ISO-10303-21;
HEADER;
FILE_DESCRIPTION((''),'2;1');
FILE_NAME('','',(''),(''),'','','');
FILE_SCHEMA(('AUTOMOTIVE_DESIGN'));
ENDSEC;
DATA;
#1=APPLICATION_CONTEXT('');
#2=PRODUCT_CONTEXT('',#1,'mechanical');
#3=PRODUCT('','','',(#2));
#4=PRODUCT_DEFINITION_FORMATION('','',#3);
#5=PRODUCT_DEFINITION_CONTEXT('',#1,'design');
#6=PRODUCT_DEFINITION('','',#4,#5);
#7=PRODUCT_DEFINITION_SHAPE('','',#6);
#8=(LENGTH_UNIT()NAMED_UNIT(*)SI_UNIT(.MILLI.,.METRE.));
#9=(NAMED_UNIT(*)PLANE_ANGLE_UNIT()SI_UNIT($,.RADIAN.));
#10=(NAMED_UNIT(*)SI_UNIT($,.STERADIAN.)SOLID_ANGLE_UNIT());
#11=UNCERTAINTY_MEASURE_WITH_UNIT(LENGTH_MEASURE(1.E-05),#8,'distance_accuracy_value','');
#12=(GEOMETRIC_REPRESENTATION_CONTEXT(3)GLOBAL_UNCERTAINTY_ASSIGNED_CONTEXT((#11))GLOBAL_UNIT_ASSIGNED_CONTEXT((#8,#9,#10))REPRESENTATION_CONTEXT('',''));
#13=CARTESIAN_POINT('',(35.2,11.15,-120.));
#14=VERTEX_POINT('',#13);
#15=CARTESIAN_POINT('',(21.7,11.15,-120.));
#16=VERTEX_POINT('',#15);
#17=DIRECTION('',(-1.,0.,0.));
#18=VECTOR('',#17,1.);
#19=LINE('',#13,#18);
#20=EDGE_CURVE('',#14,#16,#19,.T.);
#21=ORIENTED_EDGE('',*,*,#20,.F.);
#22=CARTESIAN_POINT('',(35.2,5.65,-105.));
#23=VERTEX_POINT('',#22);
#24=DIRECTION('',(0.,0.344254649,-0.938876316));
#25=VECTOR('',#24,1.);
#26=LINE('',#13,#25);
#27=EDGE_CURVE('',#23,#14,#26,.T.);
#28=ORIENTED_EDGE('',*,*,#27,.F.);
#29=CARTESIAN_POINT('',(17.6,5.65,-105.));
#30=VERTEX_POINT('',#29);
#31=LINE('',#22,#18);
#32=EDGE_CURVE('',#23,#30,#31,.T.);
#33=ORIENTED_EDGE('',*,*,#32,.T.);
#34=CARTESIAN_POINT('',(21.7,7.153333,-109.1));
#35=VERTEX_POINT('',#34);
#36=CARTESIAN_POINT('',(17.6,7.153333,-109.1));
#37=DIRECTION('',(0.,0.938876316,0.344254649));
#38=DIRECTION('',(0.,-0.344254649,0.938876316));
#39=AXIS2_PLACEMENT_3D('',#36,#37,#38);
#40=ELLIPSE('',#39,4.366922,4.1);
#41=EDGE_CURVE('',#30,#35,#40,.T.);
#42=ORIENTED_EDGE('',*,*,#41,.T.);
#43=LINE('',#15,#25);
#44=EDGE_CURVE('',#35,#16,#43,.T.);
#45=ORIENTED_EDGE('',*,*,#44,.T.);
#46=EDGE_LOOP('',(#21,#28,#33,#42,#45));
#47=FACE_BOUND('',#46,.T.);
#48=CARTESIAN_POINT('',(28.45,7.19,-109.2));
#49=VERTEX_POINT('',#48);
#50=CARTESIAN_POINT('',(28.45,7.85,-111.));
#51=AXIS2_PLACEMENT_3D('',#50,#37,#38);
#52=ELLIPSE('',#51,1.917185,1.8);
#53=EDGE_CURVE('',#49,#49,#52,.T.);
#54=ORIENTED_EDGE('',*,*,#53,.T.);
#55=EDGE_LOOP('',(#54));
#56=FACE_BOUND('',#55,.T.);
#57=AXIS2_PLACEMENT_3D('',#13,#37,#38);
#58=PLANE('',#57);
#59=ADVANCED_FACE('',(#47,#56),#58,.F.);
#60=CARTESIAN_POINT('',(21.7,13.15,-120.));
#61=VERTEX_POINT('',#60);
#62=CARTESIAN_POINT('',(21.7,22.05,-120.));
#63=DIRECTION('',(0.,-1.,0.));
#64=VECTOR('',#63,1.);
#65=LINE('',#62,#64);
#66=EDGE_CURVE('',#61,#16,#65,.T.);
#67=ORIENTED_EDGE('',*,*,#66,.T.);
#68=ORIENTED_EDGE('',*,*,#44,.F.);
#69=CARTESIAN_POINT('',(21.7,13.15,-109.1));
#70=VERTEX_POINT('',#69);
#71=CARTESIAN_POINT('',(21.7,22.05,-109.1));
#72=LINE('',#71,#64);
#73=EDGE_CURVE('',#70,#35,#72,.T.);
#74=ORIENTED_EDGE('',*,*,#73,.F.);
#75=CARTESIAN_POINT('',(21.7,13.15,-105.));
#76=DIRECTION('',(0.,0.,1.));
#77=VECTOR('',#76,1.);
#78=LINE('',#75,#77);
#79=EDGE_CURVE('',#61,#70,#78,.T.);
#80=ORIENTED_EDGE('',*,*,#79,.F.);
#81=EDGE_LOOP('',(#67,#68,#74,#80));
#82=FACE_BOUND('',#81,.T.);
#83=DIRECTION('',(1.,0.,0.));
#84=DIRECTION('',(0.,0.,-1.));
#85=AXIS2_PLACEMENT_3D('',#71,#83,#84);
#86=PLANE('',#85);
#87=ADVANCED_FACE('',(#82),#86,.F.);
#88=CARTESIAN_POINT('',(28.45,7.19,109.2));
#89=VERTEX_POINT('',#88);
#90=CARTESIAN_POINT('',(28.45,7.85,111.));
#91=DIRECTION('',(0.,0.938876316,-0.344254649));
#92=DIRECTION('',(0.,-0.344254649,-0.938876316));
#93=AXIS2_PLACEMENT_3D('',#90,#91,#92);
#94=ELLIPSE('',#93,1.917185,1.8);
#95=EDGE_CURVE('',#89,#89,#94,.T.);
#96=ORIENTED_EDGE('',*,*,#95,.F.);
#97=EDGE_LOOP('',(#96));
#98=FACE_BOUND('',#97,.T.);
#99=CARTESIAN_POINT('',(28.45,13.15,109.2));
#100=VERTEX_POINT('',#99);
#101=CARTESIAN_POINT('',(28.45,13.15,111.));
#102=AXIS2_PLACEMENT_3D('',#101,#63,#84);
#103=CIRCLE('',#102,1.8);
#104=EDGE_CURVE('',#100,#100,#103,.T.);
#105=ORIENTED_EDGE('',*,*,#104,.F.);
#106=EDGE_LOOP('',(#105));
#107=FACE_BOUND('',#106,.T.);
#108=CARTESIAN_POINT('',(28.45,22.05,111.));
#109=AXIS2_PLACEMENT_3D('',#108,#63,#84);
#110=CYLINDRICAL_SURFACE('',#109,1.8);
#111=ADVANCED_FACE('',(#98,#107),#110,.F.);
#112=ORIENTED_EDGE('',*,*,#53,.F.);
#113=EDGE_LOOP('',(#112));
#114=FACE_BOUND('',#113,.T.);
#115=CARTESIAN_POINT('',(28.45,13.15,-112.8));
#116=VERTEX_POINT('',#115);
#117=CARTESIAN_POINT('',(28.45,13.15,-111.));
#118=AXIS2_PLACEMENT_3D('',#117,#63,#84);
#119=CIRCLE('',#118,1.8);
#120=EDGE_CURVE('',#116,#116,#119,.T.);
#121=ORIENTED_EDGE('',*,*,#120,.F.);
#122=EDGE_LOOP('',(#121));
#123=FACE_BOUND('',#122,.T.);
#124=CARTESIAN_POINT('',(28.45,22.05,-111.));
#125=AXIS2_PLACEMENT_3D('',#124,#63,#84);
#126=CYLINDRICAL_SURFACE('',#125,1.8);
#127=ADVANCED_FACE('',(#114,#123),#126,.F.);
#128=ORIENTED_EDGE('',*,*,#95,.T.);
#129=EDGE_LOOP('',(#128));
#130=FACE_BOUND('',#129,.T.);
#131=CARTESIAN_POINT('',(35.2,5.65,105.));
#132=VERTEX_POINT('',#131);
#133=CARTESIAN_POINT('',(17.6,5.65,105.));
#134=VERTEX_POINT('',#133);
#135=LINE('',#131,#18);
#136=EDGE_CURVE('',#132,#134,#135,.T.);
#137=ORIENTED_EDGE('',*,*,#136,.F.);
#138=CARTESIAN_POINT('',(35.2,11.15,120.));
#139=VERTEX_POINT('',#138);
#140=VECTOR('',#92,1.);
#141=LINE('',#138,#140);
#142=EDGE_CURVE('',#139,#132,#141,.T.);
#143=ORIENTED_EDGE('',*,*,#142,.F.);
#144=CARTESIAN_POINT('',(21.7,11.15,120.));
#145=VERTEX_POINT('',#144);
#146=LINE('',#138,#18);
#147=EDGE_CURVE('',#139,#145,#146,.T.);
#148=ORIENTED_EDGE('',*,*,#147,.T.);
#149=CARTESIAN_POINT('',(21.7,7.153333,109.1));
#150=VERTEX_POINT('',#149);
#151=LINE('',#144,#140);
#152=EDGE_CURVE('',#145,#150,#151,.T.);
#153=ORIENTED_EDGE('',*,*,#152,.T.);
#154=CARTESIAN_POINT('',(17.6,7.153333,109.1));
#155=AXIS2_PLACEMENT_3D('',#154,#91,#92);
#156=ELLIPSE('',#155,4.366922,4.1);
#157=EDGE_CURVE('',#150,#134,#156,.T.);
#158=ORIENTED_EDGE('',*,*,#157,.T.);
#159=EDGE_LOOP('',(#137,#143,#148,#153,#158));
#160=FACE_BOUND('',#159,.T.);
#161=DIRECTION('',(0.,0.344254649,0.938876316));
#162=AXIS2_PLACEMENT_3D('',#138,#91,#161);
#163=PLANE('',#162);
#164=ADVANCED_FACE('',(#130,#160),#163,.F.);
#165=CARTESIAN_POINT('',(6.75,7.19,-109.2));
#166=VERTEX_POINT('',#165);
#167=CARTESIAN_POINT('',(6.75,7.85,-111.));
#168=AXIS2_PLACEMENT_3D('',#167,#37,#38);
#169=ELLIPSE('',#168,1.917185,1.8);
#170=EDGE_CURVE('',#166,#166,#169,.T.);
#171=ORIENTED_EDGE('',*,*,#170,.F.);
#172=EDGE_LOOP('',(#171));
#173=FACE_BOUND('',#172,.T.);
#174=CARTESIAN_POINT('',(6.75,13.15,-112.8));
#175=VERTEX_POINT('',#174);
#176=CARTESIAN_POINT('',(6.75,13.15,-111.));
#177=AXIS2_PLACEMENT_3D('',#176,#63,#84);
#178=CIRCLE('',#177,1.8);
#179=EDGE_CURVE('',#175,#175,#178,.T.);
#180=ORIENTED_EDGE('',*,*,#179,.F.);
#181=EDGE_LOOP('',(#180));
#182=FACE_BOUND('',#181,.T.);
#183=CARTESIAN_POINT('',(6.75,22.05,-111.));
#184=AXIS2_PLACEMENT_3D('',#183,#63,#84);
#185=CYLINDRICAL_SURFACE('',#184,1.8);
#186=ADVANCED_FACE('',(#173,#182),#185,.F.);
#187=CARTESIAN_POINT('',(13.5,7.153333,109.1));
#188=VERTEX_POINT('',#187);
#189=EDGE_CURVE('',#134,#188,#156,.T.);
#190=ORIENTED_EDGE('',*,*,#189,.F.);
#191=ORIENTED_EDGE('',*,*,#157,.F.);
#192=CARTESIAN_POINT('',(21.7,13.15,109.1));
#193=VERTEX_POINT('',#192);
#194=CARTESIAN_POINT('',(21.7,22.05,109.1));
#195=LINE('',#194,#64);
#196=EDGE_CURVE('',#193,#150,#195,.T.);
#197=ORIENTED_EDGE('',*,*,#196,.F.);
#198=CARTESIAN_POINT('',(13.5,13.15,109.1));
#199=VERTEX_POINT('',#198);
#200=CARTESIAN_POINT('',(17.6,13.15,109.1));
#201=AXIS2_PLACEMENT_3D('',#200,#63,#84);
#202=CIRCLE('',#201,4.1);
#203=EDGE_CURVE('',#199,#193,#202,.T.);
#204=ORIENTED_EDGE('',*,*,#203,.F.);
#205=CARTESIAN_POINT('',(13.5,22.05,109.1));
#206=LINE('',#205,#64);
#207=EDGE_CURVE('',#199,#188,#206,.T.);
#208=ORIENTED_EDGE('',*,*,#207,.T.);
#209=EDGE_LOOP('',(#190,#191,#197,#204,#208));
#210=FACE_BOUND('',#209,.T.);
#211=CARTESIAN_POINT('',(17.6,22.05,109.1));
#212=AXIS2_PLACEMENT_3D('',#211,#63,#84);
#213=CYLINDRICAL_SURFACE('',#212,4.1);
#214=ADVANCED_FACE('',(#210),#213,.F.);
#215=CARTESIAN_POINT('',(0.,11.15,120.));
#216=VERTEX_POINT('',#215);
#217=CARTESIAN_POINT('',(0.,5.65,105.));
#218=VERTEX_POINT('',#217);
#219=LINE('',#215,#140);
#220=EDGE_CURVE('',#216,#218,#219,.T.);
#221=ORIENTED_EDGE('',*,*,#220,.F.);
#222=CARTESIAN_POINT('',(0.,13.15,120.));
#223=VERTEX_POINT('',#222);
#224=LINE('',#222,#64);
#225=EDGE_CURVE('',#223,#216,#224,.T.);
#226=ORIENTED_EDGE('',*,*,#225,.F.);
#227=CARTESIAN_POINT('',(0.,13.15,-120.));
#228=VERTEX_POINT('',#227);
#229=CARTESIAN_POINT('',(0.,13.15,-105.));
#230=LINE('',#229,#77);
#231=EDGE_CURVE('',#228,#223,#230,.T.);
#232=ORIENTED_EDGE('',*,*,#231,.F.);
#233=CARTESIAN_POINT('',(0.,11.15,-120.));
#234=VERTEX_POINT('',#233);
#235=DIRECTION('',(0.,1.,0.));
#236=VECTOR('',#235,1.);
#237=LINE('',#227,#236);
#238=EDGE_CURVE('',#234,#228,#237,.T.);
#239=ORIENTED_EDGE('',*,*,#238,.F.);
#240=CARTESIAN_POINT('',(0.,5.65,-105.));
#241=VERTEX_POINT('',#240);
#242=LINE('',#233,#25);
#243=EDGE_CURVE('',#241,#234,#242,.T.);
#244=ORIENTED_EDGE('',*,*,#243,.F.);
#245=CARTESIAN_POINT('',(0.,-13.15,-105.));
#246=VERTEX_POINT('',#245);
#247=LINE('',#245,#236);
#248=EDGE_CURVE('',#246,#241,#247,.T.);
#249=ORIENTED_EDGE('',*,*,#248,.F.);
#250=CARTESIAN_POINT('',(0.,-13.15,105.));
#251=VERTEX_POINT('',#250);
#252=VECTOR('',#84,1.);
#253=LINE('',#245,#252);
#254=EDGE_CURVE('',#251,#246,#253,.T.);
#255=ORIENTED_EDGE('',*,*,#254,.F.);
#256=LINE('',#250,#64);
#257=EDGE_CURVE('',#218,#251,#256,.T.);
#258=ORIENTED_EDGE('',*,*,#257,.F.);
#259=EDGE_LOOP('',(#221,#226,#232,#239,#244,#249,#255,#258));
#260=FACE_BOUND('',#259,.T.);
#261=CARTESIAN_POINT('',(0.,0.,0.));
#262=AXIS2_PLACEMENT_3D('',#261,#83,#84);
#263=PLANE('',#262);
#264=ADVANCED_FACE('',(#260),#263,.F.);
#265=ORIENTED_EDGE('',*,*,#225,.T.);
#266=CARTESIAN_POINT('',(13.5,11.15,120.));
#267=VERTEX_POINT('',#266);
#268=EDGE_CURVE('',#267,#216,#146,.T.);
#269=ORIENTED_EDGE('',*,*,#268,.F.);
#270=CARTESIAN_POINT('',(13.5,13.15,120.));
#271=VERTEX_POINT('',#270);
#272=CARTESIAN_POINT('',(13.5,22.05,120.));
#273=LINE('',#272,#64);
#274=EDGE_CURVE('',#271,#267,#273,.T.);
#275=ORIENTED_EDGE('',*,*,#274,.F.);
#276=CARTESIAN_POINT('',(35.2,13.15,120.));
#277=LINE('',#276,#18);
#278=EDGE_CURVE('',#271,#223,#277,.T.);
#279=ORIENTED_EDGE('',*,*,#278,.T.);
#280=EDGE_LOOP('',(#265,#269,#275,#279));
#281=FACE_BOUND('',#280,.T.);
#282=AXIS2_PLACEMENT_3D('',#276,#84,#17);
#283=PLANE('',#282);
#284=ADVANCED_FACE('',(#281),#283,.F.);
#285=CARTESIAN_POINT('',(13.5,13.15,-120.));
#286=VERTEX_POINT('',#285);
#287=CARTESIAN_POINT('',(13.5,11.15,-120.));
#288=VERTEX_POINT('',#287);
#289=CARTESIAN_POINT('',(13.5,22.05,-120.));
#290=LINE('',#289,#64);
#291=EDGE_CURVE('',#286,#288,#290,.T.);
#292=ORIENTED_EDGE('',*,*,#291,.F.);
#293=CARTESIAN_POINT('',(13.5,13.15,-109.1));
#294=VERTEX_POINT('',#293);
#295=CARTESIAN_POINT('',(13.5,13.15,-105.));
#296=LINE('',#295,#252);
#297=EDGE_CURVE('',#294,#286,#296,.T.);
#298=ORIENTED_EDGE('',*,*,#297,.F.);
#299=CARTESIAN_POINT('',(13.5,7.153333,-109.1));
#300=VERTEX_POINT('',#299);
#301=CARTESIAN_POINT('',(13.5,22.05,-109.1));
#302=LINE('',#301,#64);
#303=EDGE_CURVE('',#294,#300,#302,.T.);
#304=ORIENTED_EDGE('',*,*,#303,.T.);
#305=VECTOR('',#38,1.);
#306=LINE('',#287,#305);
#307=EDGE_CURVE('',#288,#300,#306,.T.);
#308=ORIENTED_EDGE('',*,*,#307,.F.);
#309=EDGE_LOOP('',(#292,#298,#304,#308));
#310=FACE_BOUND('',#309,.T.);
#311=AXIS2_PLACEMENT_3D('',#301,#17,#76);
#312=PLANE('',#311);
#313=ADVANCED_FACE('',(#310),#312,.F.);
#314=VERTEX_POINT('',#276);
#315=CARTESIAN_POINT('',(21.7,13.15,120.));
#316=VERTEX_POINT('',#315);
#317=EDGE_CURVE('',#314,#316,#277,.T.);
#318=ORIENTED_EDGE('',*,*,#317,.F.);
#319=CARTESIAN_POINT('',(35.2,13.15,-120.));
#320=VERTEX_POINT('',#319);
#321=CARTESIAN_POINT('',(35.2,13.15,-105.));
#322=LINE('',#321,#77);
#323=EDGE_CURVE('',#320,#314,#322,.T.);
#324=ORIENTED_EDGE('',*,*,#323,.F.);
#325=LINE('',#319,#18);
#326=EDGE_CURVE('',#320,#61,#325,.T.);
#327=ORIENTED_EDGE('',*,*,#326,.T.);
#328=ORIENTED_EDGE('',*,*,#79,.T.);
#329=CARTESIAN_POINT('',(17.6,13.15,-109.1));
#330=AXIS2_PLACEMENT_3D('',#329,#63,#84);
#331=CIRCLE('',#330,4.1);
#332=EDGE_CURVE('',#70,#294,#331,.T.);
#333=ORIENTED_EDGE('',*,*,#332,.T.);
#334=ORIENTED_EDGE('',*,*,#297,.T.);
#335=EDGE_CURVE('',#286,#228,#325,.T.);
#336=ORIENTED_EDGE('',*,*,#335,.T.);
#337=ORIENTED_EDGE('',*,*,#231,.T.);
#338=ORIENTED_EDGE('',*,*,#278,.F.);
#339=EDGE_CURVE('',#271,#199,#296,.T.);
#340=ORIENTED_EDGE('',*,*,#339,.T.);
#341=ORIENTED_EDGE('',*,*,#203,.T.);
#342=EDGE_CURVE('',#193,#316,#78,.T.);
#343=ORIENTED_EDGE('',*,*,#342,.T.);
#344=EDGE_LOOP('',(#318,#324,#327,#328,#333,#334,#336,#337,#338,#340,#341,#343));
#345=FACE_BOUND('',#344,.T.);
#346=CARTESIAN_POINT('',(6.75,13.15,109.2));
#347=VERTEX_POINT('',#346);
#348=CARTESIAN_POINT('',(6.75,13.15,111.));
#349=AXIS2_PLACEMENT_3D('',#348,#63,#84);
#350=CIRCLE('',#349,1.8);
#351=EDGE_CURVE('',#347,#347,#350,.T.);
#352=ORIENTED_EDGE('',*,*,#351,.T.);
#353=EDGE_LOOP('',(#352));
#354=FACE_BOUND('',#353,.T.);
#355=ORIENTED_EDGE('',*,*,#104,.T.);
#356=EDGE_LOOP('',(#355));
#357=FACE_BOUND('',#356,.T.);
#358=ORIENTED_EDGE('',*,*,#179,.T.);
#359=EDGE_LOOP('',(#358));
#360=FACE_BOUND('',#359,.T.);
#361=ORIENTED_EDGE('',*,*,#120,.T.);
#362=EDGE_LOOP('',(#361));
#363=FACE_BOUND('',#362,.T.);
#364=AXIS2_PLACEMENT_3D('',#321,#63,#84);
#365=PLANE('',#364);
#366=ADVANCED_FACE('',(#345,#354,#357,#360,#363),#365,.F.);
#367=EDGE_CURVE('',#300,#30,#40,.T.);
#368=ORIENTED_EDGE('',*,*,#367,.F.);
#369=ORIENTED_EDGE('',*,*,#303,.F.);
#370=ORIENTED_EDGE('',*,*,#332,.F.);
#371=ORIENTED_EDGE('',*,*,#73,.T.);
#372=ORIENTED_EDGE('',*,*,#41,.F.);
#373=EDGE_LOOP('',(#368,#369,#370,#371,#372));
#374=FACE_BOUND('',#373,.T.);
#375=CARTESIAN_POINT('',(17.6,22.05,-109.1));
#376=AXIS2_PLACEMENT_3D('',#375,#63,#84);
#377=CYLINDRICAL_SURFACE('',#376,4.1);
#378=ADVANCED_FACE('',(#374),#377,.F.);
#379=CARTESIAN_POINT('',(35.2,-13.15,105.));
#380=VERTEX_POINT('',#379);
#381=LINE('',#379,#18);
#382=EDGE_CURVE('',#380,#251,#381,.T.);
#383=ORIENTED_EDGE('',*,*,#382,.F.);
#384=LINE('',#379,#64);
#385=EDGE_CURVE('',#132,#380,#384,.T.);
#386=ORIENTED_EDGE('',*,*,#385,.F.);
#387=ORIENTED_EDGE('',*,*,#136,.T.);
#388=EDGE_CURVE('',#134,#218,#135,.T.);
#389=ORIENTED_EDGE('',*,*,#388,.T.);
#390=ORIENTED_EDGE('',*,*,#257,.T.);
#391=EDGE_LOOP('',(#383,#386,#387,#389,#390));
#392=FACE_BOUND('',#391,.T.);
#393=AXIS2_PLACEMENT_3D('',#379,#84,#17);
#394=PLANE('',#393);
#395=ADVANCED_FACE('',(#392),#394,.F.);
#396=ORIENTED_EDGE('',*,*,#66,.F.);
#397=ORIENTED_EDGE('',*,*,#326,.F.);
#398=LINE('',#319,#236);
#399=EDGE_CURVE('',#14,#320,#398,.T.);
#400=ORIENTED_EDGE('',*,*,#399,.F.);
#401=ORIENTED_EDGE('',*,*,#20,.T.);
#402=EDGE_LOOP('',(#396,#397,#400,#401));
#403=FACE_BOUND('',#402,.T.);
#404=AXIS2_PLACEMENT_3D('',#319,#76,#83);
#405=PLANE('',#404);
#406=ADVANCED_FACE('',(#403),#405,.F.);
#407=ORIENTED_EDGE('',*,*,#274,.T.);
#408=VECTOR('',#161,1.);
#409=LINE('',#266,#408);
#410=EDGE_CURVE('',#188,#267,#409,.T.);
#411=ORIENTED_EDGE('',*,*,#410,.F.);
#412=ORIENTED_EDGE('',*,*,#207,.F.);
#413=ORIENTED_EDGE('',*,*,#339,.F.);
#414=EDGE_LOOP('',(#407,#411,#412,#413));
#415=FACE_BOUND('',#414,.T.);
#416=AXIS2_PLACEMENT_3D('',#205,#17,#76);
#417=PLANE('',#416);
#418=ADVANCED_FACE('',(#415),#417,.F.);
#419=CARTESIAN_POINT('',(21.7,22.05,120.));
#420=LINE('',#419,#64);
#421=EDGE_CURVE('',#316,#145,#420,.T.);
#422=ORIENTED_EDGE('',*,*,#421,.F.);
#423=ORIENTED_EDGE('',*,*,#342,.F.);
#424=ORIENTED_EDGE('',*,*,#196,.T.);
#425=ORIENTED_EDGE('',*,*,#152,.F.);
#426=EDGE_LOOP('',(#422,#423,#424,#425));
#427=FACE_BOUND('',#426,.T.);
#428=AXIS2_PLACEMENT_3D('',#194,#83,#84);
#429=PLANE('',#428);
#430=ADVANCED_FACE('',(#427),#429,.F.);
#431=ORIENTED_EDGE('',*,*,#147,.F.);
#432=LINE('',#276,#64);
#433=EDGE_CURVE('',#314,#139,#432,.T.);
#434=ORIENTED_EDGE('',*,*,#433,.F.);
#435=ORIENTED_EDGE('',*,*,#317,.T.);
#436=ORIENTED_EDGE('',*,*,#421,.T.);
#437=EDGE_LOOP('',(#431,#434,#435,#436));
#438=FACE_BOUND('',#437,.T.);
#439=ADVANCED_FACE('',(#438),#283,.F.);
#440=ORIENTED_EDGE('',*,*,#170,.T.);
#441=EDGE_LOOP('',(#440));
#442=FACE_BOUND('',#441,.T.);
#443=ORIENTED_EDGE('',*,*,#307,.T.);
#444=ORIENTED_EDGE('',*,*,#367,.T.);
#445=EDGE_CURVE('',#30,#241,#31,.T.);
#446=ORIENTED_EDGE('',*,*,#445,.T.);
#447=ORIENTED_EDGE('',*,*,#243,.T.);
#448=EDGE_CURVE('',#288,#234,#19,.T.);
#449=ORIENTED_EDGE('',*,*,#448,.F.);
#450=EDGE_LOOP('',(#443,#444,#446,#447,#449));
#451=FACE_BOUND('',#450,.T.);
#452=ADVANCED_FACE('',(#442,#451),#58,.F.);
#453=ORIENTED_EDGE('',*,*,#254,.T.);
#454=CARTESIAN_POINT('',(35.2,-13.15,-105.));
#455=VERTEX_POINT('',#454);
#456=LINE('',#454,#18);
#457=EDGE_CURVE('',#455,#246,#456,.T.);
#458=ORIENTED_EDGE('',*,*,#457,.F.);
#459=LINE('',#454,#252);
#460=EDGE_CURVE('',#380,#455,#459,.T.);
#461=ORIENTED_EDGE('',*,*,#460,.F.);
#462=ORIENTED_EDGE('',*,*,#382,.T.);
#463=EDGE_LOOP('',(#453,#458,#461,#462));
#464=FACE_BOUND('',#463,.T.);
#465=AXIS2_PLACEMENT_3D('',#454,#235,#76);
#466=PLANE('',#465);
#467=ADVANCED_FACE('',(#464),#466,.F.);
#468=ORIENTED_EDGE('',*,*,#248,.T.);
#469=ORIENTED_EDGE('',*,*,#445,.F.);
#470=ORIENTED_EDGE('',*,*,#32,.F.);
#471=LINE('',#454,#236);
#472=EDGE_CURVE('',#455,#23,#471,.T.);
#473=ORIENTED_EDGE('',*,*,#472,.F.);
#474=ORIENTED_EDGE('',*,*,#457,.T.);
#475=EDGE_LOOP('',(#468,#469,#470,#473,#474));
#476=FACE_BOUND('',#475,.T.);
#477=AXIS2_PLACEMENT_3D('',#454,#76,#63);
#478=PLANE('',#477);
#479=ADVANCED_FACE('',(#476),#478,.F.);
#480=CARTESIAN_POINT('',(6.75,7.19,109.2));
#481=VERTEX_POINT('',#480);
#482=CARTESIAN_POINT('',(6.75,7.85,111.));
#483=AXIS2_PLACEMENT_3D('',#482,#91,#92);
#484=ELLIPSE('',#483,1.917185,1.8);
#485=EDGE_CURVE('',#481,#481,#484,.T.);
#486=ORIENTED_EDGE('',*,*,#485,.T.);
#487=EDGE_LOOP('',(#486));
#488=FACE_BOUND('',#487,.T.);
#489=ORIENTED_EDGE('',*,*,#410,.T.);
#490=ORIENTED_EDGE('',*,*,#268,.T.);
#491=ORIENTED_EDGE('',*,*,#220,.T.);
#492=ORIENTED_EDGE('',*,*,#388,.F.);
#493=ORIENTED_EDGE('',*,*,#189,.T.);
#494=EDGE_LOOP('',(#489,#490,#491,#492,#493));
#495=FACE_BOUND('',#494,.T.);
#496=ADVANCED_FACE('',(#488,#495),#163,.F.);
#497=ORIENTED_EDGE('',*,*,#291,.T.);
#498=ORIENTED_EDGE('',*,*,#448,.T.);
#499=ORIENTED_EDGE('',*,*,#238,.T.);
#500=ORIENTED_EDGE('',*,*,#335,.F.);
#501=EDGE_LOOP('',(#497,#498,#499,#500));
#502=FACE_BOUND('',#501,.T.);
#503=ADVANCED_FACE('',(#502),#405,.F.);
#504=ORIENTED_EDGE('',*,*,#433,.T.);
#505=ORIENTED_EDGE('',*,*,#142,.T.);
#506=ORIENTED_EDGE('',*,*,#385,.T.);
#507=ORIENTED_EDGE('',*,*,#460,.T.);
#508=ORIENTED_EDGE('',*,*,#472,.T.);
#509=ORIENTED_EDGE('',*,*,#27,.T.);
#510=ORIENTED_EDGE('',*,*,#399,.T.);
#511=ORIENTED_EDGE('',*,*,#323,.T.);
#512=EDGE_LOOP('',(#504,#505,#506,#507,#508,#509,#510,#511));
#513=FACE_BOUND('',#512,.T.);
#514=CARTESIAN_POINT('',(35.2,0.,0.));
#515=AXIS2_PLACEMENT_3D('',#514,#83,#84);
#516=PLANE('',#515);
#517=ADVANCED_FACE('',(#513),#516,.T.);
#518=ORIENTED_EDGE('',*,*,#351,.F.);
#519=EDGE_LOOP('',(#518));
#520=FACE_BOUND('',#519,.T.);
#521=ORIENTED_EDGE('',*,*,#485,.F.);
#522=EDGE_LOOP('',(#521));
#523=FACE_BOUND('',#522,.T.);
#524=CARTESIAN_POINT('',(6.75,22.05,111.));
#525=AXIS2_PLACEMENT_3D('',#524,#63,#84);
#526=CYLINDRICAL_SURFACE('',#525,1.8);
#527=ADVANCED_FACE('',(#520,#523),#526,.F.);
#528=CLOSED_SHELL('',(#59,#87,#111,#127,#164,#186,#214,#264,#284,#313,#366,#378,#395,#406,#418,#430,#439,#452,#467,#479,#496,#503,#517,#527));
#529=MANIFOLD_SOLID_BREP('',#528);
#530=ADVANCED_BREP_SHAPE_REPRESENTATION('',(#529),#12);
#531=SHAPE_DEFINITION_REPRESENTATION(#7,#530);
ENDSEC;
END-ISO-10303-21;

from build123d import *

# Parameters (mm, degrees)
RESSALTO_EXTRUS_O1_DEPTH = 35.2
ESBO_O2_R                = 1.8
CORTE_EXTRUS_O1_DEPTH    = 35.2


with BuildPart() as part:
    # Esboço1 → Ressalto-extrusão1 (new body)
    with BuildSketch(Plane(origin=(0, 0, 0), x_dir=(0, 0, -1), z_dir=(1, 0, 0))):
        Polygon((-105, 13.15), (-120, 13.15), (-120, 11.15), (-105, 5.65), (-105, -13.15), (105, -13.15), (105, 5.65), (120, 11.15), (120, 13.15), (105, 13.15), align=None)
    extrude(amount=RESSALTO_EXTRUS_O1_DEPTH)

    # Esboço2 → Corte-extrusão1 (cut)
    with BuildSketch(Plane.XZ.offset(13.15)):
        with Locations((6.75, 111)):
            Circle(ESBO_O2_R)
        with Locations((28.45, 111)):
            Circle(ESBO_O2_R)
        with Locations((28.45, -111)):
            Circle(ESBO_O2_R)
        with Locations((6.75, -111)):
            Circle(ESBO_O2_R)
        with BuildLine():
            Line((13.5, 109.1), (13.5, 120))
            Line((13.5, 120), (21.7, 120))
            Line((21.7, 120), (21.7, 109.1))
            ThreePointArc((21.7, 109.1), (17.6, 105), (13.5, 109.1))
        make_face()
        with BuildLine():
            Line((13.5, -120), (21.7, -120))
            Line((21.7, -120), (21.7, -109.1))
            ThreePointArc((21.7, -109.1), (17.6, -105), (13.5, -109.1))
            Line((13.5, -109.1), (13.5, -120))
        make_face()
    extrude(amount=-CORTE_EXTRUS_O1_DEPTH, mode=Mode.SUBTRACT)


solid = part.part
